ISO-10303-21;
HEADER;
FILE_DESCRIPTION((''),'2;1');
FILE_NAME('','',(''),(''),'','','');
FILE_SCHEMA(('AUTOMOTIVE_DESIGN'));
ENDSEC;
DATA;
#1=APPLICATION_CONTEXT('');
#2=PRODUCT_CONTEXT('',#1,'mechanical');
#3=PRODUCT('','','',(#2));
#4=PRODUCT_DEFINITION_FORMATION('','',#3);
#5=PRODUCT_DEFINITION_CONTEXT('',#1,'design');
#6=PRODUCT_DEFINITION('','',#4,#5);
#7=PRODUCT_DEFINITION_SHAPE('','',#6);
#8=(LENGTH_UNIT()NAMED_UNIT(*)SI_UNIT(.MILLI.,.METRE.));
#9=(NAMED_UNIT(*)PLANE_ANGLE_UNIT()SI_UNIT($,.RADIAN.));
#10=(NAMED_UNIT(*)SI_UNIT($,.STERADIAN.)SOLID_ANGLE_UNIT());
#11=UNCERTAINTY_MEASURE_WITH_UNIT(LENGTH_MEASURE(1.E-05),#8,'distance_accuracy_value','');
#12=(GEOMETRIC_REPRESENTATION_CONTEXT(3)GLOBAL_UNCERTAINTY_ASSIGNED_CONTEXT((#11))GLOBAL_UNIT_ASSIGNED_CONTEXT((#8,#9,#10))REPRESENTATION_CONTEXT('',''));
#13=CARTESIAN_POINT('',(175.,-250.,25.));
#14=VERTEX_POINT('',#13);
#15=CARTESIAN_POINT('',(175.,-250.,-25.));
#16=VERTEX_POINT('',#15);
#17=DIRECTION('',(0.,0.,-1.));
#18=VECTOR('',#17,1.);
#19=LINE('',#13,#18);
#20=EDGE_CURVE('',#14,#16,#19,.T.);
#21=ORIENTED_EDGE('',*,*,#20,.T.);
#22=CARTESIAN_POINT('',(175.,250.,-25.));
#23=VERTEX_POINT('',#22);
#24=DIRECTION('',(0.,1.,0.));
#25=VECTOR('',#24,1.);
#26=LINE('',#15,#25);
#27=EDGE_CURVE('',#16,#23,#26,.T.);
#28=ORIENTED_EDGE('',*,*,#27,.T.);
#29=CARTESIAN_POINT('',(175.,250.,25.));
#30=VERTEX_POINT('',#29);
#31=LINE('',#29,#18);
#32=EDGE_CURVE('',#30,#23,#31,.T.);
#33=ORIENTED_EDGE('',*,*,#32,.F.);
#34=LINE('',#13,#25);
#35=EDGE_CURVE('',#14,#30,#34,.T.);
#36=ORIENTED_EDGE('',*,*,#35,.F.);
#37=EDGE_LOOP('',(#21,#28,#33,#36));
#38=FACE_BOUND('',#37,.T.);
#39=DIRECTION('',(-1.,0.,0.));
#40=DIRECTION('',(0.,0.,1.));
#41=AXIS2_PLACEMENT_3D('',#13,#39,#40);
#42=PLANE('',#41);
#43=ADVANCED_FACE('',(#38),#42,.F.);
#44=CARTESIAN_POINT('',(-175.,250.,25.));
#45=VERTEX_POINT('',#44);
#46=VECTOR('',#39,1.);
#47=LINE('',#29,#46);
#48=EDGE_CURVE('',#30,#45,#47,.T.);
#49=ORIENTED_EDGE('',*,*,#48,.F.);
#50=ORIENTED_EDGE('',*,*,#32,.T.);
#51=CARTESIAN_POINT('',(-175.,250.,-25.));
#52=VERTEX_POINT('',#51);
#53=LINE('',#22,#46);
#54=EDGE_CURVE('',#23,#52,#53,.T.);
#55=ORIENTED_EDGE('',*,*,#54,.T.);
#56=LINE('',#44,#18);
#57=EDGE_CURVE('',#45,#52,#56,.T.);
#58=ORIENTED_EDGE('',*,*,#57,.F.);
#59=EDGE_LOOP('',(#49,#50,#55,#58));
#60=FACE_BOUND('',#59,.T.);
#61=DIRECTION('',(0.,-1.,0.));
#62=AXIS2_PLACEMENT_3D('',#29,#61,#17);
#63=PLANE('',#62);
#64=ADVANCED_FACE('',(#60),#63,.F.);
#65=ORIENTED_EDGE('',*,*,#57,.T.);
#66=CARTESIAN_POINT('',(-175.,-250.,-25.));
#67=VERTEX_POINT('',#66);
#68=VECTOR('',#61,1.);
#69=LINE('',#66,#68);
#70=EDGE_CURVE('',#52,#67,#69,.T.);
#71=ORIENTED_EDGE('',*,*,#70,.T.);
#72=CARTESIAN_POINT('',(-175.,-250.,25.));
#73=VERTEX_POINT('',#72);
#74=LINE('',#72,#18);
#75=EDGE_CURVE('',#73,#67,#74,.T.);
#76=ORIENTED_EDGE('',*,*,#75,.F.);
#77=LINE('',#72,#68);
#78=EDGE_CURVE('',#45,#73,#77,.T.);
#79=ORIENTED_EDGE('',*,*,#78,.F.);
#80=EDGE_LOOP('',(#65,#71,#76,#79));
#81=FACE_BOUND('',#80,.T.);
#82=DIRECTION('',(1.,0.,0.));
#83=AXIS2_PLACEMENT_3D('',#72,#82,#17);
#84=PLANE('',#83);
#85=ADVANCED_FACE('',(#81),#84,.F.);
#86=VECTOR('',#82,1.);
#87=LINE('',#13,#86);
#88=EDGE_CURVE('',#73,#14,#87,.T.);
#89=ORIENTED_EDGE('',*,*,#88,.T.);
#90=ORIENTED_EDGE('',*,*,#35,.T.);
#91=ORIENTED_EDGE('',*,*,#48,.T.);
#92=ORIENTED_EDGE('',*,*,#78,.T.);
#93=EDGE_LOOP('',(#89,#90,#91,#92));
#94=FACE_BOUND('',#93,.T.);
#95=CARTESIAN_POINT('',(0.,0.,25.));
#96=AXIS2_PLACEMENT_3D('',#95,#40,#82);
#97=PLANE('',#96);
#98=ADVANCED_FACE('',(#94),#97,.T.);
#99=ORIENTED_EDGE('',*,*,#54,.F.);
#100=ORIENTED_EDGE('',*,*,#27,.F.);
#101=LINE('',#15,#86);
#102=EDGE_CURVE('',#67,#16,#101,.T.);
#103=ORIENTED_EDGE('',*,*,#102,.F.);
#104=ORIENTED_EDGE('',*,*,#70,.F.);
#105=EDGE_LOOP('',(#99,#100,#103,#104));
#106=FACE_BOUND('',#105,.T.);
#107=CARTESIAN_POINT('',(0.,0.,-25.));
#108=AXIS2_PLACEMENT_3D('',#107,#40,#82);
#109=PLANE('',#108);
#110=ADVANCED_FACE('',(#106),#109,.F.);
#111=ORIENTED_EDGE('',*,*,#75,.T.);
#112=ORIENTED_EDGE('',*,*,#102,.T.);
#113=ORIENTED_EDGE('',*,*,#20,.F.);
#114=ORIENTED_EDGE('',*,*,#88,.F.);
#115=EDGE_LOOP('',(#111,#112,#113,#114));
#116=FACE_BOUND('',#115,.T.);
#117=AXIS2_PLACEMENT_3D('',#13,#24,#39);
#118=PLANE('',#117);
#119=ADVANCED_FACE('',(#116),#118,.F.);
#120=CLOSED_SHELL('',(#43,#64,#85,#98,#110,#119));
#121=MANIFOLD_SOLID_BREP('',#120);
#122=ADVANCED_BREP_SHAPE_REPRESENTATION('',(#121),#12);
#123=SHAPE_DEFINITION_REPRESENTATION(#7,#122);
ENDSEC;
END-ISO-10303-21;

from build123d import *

# Parameters (mm, degrees)
SKETCH1_W           = 350
SKETCH1_H           = 500
BOSS_EXTRUDE1_DEPTH = 25


with BuildPart() as part:
    # Sketch1 → Boss-Extrude1 (new body, symmetric)
    with BuildSketch(Plane.XY):
        Rectangle(SKETCH1_W, SKETCH1_H)
    extrude(amount=BOSS_EXTRUDE1_DEPTH, both=True)


solid = part.part
